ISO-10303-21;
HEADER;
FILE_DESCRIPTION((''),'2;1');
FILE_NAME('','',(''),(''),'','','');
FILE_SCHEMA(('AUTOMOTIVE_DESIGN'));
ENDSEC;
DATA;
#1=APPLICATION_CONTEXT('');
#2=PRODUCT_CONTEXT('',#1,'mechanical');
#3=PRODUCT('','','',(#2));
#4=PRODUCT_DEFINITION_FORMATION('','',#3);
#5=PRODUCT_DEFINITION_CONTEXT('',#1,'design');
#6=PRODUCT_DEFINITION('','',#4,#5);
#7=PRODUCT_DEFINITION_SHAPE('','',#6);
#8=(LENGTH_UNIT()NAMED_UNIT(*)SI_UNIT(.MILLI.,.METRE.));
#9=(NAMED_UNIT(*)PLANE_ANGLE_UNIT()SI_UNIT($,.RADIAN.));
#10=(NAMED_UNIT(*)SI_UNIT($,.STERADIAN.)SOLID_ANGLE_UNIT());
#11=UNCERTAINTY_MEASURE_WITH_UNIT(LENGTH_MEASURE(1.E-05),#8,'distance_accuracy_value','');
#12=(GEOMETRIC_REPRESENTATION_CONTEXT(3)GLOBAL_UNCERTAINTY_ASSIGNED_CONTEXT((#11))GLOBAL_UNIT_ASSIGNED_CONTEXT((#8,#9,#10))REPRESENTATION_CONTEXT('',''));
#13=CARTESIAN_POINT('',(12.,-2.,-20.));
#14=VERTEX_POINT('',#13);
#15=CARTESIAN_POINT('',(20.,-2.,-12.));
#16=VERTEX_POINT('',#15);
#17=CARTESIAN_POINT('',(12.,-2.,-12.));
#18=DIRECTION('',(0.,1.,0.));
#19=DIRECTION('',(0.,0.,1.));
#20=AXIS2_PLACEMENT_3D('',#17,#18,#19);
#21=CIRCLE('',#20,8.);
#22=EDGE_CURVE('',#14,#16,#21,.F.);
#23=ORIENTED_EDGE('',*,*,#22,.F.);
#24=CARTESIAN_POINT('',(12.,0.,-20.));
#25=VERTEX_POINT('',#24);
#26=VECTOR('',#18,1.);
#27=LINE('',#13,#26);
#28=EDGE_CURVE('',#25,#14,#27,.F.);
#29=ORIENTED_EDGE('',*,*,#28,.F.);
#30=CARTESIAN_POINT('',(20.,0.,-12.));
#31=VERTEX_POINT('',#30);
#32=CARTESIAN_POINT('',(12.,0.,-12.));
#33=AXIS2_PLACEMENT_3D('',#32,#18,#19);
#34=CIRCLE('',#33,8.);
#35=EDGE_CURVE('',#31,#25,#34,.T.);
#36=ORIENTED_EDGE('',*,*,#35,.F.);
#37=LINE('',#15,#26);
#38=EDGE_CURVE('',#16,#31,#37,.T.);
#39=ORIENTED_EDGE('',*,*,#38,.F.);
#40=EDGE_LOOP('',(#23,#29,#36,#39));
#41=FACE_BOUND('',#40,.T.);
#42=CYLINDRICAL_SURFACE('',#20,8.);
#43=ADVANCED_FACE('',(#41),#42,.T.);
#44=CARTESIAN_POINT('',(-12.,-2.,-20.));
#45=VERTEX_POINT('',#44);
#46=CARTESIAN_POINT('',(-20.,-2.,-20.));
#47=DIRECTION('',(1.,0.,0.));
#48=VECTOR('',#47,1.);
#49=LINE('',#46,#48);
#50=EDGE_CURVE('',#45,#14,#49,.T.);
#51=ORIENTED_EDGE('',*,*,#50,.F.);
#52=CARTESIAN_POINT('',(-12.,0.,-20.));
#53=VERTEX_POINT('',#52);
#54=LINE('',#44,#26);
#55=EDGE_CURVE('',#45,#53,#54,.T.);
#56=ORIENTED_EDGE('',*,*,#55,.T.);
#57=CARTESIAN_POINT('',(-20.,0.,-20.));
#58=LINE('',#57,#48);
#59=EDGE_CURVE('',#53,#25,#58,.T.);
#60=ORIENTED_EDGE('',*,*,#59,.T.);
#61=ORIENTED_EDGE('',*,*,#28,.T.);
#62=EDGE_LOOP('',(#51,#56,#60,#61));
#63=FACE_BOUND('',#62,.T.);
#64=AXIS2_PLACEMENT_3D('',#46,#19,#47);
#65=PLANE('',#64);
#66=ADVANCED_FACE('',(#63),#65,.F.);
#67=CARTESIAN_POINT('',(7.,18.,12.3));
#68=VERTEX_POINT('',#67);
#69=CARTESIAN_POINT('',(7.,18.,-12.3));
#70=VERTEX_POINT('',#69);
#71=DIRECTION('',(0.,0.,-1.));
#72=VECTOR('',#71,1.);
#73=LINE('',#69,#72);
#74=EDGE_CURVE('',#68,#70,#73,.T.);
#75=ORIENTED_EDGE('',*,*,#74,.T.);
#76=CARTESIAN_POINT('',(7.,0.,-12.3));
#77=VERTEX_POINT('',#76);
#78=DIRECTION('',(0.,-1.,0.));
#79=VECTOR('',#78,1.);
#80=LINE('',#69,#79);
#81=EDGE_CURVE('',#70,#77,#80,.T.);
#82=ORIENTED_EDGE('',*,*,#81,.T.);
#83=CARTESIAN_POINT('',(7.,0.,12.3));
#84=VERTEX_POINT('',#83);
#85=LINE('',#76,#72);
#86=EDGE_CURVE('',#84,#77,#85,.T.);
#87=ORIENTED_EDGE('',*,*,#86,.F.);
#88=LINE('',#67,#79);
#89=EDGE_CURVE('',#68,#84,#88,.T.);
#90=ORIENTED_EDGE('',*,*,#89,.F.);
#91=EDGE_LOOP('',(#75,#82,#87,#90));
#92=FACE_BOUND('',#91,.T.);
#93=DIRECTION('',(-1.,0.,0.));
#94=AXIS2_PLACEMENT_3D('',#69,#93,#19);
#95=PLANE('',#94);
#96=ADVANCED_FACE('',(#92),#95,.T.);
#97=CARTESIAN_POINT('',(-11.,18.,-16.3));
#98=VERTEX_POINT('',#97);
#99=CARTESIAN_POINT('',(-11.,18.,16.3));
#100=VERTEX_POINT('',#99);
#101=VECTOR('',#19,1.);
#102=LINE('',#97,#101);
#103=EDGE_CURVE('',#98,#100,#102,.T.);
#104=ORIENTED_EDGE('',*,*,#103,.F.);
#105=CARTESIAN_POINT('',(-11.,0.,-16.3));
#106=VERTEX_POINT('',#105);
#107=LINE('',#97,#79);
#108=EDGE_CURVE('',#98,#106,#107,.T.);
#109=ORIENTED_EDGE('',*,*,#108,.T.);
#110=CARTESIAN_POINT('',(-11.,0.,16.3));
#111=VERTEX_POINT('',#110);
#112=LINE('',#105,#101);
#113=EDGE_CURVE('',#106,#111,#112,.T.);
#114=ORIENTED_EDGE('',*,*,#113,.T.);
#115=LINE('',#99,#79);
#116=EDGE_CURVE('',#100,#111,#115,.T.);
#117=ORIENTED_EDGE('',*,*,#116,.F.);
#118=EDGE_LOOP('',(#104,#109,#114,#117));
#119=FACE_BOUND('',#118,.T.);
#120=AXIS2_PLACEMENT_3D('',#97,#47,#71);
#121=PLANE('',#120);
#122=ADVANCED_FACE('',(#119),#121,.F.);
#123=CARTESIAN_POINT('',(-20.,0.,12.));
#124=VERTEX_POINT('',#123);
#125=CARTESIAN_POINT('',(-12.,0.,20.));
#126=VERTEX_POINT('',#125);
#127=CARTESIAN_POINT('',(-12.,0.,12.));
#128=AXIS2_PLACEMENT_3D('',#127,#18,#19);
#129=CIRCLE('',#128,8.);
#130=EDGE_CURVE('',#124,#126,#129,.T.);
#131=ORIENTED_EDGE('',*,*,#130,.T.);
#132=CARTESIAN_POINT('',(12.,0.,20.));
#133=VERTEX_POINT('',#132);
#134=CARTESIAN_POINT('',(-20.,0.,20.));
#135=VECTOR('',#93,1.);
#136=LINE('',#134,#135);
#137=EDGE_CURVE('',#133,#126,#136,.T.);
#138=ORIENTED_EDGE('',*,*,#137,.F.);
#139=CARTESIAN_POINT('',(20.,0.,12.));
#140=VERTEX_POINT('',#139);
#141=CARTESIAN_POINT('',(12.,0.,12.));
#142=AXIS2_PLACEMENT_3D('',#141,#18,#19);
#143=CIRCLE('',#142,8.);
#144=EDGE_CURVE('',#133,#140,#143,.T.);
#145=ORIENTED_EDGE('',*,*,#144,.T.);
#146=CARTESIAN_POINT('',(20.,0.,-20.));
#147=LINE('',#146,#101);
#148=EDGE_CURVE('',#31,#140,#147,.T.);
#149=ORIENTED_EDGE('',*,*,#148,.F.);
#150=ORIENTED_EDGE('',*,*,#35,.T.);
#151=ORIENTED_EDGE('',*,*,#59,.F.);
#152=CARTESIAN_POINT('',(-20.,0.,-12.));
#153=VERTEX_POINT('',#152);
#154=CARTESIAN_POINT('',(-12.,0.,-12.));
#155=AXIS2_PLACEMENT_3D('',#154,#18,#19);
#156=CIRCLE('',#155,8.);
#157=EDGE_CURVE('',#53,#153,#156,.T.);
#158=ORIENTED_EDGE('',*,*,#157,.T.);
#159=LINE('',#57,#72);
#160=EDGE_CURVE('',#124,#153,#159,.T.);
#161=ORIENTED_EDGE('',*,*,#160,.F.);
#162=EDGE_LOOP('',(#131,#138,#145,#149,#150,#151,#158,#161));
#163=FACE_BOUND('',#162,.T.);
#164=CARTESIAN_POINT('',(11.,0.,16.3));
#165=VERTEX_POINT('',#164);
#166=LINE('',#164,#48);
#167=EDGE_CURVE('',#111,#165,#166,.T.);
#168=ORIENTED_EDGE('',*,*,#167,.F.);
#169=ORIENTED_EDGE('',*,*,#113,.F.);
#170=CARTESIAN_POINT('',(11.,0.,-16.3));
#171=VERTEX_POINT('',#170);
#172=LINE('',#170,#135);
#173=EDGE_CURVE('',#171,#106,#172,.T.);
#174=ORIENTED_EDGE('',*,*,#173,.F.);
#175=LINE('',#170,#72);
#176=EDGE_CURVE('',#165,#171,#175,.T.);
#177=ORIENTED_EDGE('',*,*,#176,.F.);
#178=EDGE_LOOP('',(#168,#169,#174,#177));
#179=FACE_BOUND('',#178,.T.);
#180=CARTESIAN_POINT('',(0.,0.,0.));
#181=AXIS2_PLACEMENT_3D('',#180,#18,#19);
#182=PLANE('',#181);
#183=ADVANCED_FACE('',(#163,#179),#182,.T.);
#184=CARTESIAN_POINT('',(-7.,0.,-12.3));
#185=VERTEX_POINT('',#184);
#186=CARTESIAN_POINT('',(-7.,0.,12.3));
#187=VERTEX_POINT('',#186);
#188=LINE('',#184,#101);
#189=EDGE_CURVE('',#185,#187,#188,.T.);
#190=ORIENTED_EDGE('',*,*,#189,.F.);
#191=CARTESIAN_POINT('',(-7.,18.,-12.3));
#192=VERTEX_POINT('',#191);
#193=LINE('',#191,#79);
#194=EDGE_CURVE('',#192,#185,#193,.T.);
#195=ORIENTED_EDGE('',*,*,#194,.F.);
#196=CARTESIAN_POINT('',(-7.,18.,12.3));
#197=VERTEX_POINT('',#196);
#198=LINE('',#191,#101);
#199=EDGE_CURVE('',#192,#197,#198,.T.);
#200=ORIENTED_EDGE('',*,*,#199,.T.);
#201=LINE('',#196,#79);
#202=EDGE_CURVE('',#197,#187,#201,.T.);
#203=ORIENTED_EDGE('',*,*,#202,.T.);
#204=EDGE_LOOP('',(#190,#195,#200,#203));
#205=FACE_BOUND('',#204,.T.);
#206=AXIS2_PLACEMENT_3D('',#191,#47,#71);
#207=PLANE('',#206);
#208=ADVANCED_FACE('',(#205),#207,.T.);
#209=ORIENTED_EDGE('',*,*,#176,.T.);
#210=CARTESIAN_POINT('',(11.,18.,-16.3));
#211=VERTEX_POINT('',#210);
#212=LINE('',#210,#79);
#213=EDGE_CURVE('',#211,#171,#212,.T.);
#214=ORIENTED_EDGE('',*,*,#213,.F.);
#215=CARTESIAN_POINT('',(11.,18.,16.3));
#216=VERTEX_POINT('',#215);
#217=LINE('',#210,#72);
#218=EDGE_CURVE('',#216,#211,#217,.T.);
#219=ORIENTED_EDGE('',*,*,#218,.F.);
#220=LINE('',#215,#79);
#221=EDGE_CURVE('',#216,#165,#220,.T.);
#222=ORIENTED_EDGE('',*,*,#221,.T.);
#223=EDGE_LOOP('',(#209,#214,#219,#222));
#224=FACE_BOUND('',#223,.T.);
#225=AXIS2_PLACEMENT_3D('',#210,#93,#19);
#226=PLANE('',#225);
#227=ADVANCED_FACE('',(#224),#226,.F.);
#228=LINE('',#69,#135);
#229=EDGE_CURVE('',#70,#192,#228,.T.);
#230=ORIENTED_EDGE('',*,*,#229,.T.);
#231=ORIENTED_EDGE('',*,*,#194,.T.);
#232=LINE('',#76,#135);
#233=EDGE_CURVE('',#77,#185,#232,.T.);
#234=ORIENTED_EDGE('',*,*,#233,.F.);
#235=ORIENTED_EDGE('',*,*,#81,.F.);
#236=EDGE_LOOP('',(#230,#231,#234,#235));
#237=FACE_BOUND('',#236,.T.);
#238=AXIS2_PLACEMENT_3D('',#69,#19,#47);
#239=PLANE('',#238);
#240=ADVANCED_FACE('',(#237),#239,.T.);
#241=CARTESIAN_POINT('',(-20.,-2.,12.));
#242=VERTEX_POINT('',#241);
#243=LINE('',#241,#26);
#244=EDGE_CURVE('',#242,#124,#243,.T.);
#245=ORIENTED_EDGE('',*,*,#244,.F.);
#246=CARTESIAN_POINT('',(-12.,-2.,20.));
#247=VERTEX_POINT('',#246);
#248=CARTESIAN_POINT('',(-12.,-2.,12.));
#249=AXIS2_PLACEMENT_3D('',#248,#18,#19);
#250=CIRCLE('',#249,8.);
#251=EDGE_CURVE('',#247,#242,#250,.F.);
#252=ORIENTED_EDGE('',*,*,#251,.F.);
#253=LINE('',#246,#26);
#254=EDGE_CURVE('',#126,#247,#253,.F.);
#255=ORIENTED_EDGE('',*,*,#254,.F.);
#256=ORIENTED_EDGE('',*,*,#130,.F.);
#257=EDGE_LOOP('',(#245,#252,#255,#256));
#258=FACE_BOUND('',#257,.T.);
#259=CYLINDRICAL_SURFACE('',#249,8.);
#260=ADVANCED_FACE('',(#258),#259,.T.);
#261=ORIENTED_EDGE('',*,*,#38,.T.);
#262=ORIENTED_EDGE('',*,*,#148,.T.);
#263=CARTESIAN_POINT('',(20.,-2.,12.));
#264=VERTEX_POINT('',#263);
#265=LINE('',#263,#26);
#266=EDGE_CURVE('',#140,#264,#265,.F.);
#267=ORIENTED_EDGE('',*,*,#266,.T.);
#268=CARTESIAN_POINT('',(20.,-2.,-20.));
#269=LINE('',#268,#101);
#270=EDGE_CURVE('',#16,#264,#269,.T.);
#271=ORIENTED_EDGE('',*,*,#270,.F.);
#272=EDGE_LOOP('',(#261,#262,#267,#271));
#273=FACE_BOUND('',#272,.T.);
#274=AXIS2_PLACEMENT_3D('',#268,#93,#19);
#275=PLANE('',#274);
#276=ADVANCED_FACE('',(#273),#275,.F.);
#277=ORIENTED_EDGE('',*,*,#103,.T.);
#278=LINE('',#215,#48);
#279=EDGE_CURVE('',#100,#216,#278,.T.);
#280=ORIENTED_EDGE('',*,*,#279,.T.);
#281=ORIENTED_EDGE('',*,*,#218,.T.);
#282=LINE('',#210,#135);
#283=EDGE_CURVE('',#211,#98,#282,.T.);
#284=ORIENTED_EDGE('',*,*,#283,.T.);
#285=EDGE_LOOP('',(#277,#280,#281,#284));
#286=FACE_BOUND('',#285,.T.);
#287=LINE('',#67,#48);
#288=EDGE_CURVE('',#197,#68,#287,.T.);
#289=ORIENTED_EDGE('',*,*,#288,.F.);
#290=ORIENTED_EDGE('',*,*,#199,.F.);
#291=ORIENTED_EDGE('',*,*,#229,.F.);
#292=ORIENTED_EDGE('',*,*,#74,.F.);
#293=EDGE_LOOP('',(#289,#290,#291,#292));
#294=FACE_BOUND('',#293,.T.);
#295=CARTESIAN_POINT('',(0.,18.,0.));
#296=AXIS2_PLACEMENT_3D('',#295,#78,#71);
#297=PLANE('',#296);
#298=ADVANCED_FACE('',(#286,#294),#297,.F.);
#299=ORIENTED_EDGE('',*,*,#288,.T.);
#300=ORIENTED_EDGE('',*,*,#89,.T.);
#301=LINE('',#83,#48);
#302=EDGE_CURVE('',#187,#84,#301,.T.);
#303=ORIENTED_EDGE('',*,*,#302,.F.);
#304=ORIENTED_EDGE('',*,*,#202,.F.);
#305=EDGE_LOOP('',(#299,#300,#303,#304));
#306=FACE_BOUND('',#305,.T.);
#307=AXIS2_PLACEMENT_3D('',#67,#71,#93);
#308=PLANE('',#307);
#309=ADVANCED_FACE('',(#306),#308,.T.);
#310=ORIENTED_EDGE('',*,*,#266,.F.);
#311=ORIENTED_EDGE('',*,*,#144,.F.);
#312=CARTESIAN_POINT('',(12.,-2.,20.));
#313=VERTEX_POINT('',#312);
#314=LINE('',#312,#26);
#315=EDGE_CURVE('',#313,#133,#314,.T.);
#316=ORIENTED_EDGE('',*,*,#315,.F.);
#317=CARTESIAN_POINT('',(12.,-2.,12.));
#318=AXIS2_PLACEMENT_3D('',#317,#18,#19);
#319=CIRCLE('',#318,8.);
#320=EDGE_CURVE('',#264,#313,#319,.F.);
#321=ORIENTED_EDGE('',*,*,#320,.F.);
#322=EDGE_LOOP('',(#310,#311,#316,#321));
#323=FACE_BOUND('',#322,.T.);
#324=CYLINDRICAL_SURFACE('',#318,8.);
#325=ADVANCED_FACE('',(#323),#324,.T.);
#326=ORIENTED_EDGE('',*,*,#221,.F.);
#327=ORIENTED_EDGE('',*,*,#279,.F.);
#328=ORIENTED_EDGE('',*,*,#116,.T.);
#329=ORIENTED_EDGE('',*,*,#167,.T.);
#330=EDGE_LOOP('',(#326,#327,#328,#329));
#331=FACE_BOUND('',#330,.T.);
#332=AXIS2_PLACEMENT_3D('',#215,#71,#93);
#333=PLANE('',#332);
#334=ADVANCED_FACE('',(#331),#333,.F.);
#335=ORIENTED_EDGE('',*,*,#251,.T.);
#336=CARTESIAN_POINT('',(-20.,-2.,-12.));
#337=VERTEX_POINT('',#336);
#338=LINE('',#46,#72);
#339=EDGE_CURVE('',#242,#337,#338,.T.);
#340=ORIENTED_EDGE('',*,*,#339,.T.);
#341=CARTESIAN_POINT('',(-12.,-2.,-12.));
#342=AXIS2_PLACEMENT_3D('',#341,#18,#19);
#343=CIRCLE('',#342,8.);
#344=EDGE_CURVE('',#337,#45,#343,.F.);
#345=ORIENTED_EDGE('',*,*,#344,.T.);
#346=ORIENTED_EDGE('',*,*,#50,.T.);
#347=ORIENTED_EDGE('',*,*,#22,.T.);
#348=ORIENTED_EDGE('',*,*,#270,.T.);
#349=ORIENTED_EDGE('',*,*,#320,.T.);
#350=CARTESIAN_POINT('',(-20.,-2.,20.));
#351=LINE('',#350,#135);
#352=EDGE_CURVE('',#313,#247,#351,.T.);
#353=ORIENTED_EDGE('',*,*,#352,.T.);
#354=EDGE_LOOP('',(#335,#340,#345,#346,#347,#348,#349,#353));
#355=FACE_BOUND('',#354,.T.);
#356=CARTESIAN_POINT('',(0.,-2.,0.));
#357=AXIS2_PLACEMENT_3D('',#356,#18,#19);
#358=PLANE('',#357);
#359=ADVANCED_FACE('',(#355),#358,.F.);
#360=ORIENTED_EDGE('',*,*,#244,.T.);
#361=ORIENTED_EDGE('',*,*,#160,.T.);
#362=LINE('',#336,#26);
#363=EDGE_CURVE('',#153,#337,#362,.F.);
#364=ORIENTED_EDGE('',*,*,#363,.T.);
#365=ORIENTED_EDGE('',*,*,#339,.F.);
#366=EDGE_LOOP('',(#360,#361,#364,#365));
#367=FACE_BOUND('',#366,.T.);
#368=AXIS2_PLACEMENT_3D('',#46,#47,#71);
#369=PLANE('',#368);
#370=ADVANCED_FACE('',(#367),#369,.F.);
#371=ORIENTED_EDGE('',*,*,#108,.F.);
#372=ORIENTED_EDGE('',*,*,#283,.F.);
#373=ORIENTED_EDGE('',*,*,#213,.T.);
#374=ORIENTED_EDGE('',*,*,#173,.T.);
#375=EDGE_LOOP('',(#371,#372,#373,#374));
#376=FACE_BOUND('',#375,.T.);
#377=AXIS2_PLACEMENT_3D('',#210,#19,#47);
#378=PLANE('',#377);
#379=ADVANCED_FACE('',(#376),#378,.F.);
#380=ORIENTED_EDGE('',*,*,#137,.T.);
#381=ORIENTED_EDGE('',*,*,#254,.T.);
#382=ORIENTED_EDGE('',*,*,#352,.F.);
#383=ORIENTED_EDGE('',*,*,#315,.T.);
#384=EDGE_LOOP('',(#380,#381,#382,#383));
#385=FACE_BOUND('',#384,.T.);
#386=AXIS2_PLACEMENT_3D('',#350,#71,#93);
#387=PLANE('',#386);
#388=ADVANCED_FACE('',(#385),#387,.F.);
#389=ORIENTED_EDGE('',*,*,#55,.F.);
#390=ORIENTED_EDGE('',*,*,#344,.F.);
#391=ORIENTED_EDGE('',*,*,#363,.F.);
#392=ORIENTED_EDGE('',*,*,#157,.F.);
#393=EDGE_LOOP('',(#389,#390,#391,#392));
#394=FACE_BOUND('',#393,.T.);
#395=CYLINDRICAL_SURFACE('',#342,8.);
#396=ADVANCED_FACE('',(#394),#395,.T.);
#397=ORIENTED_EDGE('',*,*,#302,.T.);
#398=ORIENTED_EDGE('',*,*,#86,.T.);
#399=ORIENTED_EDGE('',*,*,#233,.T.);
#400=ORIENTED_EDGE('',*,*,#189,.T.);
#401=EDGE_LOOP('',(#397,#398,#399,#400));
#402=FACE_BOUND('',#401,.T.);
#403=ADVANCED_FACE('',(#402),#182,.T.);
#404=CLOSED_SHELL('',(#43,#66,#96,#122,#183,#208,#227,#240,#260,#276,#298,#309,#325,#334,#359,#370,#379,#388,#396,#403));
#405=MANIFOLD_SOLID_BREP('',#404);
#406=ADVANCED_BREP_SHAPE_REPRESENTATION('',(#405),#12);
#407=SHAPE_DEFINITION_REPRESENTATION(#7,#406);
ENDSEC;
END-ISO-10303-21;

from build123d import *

# Parameters (mm, degrees)
SKETCH1_W           = 22
SKETCH1_H           = 32.6
SKETCH1_W_2         = 14
SKETCH1_H_2         = 24.6
BOSS_EXTRUDE1_DEPTH = 18
SKETCH3_W           = 40
SKETCH3_H           = 40
BOSS_EXTRUDE2_DEPTH = 2
FILLET1_R           = 8


with BuildPart() as part:
    # Sketch1 → Boss-Extrude1 (new body)
    with BuildSketch(Plane(origin=(0, 0, 0), x_dir=(1, 0, 0), z_dir=(0, 1, 0))):
        Rectangle(SKETCH1_W, SKETCH1_H)
        Rectangle(SKETCH1_W_2, SKETCH1_H_2, mode=Mode.SUBTRACT)
    extrude(amount=BOSS_EXTRUDE1_DEPTH)

    # Sketch3 → Boss-Extrude2 (add)
    with BuildSketch(Plane.XZ):
        Rectangle(SKETCH3_W, SKETCH3_H)
    extrude(amount=BOSS_EXTRUDE2_DEPTH)

    # Fillet1
    fillet1_edges = [part.edges().sort_by_distance(p)[0] for p in [
        (20, -1, -20),
        (20, -1, 20),
        (-20, -1, 20),
        (-20, -1, -20),
    ]]
    fillet(fillet1_edges, radius=FILLET1_R)


solid = part.part
